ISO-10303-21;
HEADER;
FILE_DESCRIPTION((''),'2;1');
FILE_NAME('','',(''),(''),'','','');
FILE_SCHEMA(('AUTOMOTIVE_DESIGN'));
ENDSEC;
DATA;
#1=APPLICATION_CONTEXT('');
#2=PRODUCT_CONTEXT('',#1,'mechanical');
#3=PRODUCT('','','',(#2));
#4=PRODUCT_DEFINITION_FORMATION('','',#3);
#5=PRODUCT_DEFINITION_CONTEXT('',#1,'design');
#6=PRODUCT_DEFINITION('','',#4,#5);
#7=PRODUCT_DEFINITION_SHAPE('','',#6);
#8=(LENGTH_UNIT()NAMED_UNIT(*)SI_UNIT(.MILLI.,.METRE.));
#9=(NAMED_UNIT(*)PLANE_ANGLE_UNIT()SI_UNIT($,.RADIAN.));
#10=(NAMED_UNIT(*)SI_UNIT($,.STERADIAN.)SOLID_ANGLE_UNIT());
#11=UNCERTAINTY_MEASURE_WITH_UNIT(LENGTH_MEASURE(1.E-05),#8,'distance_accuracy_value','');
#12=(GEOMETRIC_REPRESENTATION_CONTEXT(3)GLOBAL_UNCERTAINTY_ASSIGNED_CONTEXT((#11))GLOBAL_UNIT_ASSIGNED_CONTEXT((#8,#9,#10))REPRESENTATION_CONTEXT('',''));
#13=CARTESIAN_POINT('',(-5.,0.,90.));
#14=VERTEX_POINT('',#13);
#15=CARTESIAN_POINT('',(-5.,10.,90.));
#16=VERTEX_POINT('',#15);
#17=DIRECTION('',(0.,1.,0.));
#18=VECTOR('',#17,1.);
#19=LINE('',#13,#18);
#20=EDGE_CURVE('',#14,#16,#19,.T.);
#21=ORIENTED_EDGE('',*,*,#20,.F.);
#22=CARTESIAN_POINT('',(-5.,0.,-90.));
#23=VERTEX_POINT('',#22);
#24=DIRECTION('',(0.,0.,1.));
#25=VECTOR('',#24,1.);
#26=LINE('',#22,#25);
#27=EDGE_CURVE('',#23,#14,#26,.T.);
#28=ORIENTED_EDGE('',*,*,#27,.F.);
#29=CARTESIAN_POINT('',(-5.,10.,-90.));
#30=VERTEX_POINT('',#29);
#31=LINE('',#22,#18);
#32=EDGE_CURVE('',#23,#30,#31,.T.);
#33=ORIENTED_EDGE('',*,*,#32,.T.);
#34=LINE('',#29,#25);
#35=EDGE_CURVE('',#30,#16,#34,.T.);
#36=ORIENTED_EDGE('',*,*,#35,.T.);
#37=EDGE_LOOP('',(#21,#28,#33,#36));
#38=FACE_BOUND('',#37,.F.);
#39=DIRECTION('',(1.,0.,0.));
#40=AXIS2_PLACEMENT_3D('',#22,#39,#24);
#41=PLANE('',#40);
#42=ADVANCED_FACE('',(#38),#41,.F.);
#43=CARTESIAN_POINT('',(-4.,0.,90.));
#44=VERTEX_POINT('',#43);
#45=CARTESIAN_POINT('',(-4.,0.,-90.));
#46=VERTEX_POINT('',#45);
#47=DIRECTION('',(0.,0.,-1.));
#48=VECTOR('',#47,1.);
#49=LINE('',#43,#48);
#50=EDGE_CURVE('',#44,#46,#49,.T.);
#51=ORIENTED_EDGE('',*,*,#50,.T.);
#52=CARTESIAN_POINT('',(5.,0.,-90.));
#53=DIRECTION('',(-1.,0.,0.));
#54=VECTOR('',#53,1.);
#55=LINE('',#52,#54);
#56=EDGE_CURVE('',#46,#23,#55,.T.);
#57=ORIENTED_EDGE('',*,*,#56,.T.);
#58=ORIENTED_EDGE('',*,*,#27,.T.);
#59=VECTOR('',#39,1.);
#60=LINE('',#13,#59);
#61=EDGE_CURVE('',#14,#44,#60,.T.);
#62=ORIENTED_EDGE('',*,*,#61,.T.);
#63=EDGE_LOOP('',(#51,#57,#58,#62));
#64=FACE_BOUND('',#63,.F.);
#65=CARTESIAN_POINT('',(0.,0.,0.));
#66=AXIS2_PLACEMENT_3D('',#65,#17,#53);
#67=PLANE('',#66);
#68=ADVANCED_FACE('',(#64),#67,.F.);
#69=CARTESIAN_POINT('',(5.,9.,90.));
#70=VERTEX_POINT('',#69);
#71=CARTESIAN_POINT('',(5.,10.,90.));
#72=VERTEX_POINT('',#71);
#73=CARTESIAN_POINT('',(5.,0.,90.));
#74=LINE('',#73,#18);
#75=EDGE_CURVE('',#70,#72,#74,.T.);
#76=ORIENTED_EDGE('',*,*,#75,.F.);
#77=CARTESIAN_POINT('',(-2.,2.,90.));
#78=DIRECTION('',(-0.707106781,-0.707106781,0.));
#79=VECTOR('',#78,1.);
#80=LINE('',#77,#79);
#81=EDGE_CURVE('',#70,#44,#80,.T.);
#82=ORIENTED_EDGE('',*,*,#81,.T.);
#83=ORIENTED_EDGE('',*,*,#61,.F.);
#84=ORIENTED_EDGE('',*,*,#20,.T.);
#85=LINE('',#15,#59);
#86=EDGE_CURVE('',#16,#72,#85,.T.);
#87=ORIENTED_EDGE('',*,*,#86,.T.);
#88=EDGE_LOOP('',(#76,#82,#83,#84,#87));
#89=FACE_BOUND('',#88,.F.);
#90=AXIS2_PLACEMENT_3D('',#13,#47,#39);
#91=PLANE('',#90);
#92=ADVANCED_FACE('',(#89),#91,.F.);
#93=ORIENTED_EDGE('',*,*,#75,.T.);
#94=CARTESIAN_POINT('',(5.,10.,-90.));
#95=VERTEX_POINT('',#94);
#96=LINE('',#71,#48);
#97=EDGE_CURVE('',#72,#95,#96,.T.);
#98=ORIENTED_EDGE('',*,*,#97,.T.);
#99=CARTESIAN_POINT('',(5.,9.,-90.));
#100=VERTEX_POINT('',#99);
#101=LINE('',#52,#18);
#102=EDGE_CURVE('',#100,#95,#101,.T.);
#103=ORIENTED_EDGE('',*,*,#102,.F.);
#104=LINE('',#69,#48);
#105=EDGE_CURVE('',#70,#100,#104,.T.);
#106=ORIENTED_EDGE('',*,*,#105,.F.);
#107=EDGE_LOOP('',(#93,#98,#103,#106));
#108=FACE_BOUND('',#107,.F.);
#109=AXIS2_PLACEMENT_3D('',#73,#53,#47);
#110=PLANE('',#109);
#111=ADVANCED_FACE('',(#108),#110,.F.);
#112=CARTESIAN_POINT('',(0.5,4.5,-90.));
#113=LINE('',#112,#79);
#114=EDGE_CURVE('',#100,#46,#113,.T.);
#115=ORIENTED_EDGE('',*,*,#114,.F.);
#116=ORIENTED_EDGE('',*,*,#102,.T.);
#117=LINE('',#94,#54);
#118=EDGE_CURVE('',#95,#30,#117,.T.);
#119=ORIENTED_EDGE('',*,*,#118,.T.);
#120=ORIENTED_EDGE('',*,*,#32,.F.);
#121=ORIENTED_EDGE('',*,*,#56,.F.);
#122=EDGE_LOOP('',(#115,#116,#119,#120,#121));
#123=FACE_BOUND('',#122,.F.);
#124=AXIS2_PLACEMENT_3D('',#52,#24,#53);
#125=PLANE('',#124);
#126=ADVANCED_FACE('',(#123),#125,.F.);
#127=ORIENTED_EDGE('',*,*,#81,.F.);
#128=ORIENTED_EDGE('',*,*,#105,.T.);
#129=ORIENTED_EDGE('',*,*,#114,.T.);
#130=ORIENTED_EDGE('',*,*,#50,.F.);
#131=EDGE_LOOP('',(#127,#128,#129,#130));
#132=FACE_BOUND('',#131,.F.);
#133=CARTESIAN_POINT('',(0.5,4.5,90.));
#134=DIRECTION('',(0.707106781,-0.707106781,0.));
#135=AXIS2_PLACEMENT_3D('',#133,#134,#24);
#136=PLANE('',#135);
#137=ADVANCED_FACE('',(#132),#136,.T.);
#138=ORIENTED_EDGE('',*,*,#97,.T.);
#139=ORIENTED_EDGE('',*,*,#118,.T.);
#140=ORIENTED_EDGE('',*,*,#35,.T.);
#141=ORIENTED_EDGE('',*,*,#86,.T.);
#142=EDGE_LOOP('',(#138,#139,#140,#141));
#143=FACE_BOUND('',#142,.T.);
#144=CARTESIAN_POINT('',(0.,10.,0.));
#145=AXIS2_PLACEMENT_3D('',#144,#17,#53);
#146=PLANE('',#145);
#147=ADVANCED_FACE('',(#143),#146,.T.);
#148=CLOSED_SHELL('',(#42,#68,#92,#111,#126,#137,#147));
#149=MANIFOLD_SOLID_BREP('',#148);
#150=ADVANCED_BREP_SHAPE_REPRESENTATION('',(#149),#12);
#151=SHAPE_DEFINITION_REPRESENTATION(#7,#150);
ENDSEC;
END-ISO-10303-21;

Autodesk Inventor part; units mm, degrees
ref_plane "YZ Plane" through (0, 0, 0) normal (1, 0, 0) x (0, 1, 0)
ref_plane "XZ Plane" through (0, 0, 0) normal (0, 1, 0) x (-1, 0, 0)
ref_plane "XY Plane" through (0, 0, 0) normal (0, 0, 1) x (1, 0, 0)
sketch "Sketch1" plane through (0, 0, 0) normal (0, 1, 0) x (-1, 0, 0)
  line L0 (5, 90) -> (-5, 90)
  line L1 (-5, 90) -> (-5, -90)
  line L2 (-5, -90) -> (5, -90)
  line L3 (5, -90) -> (5, 90)
  line L4 (5, 90) -> (-5, -90) construction
  line L5 (-5, 90) -> (5, -90) construction
  point P0 (0, 0)
  dimension "d0" = 10
  dimension "d1" = 180
extrude "Extrusion1" add sketch "Sketch1" along normal blind 10
chamfer "Chamfer1" distance 9 angle 45 1 edges at (5, 0, 0)
equation "\"BendRadius\" = Thickness"
equation "\"BendReliefWidth\" = Thickness"
equation "\"BendReliefDepth\" = 0.5 * Thickness"
equation "\"CornerReliefSize\" = 4 * Thickness"
equation "\"MinimumRemnant\" = 2 * Thickness"
equation "\"TransitionRadius\" = BendRadius"
equation "\"JacobiRadiusSize\" = BendRadius"
equation "\"GapSize\" = Thickness"
equation "\"Thickness\" = 0.5"
properties part number "rovny_diel_180"
